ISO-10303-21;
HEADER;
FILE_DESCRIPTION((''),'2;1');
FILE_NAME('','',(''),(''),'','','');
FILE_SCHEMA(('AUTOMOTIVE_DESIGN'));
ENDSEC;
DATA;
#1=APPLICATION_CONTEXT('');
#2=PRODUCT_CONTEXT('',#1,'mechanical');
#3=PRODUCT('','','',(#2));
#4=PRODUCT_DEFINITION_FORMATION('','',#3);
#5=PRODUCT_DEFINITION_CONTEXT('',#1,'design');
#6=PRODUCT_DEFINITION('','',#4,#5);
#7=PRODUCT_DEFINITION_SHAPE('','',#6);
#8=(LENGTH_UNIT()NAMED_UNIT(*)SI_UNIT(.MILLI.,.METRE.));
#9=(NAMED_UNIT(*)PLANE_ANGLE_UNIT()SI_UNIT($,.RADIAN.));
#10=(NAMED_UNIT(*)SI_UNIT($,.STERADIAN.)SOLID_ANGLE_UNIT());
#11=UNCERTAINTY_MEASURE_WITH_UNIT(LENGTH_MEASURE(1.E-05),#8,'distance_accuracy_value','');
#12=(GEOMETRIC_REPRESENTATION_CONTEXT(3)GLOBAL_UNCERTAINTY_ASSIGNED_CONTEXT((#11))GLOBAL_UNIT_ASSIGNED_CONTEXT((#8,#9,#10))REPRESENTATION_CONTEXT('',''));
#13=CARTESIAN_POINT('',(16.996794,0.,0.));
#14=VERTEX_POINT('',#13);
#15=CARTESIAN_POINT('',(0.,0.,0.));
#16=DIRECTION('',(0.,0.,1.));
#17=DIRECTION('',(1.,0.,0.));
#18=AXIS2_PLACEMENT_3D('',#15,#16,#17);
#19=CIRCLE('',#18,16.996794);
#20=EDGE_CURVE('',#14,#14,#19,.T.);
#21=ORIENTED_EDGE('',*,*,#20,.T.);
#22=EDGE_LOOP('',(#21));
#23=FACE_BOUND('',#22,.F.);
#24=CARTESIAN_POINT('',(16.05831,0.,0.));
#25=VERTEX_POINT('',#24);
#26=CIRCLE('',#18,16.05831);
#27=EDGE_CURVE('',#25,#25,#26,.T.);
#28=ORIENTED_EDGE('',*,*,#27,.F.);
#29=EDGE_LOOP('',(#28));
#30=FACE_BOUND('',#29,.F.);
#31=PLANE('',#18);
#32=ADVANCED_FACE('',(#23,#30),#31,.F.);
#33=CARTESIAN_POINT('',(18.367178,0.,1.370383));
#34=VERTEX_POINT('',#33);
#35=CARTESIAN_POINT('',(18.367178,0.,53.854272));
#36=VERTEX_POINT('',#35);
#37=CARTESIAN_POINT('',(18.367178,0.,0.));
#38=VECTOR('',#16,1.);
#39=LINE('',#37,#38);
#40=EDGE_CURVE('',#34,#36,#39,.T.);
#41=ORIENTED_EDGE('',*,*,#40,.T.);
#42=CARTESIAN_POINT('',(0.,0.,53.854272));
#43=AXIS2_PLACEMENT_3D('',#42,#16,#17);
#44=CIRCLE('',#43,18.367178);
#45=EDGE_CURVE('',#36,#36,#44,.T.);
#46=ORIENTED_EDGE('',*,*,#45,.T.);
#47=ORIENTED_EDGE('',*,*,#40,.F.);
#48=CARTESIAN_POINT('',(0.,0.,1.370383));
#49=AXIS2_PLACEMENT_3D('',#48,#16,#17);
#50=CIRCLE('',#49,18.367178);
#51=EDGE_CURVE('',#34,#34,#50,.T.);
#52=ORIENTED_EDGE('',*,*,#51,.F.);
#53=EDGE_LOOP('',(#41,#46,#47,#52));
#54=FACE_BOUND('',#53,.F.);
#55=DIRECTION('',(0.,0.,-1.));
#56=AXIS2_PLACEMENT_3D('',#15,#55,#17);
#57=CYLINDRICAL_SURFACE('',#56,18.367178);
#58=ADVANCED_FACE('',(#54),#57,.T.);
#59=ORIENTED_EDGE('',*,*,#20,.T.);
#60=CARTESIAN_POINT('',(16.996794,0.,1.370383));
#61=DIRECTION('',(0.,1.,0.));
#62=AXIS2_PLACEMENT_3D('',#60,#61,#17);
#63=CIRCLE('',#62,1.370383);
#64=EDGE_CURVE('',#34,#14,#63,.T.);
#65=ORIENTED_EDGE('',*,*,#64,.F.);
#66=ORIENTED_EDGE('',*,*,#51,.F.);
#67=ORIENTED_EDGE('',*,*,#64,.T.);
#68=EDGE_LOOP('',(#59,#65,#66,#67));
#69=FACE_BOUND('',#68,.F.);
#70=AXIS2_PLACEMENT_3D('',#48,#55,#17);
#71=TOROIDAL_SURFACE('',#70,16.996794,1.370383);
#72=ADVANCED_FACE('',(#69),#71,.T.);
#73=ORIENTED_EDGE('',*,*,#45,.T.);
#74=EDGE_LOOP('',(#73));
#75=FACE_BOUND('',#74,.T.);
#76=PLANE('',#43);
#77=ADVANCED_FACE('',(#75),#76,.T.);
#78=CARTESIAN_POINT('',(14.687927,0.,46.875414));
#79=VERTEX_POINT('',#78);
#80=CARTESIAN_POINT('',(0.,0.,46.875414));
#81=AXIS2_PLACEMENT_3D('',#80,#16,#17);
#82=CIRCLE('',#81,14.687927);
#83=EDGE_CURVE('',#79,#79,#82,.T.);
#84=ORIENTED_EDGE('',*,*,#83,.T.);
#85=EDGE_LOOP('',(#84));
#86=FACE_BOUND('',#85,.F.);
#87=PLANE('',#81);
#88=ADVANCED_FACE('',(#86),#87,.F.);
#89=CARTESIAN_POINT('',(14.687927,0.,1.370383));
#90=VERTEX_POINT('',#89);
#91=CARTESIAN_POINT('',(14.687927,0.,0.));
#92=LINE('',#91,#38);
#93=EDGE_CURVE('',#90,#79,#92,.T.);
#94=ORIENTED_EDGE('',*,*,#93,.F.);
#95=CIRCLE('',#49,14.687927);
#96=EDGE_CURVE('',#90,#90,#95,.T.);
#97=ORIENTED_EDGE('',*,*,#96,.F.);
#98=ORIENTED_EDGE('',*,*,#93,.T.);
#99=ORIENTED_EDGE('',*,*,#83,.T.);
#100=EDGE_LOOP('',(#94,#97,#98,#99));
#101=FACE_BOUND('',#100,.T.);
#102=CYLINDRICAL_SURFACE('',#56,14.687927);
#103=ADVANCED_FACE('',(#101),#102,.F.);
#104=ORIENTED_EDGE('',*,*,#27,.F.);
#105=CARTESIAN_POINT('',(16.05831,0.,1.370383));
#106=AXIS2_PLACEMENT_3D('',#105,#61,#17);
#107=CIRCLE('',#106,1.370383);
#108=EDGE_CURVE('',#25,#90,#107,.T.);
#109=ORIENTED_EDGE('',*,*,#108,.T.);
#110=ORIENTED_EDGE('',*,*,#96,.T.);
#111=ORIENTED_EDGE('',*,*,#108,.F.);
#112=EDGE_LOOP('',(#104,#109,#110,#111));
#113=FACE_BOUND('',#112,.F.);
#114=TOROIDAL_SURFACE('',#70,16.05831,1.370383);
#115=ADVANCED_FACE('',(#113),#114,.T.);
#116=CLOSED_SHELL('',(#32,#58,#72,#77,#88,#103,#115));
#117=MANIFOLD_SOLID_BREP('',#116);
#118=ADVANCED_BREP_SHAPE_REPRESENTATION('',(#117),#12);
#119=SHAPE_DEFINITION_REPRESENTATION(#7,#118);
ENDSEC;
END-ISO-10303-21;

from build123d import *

# Parameters (mm, degrees)
F0_R     = 18.3671775814
F0_R_2   = 14.6879268772
F1_DEPTH = 53.8542717695
F2_DEPTH = 46.8754135072
F3_R     = 1.3703832561


with BuildPart() as f1:
    # F0 (on Top) → F1 (new body)
    with BuildSketch(Plane.XY):
        Circle(F0_R)
        Circle(F0_R_2, mode=Mode.SUBTRACT)
        Circle(F0_R_2)
    extrude(amount=F1_DEPTH)

    # F0 (on Top) → F2 (cut)
    with BuildSketch(Plane.XY):
        Circle(F0_R_2)
    extrude(amount=F2_DEPTH, mode=Mode.SUBTRACT)

    # F3
    f3_edges = [f1.edges().sort_by_distance(p)[0] for p in [
        (-14.687927, 0, 0),
        (-18.367178, 0, 0),
    ]]
    fillet(f3_edges, radius=F3_R)


solid = f1.part
